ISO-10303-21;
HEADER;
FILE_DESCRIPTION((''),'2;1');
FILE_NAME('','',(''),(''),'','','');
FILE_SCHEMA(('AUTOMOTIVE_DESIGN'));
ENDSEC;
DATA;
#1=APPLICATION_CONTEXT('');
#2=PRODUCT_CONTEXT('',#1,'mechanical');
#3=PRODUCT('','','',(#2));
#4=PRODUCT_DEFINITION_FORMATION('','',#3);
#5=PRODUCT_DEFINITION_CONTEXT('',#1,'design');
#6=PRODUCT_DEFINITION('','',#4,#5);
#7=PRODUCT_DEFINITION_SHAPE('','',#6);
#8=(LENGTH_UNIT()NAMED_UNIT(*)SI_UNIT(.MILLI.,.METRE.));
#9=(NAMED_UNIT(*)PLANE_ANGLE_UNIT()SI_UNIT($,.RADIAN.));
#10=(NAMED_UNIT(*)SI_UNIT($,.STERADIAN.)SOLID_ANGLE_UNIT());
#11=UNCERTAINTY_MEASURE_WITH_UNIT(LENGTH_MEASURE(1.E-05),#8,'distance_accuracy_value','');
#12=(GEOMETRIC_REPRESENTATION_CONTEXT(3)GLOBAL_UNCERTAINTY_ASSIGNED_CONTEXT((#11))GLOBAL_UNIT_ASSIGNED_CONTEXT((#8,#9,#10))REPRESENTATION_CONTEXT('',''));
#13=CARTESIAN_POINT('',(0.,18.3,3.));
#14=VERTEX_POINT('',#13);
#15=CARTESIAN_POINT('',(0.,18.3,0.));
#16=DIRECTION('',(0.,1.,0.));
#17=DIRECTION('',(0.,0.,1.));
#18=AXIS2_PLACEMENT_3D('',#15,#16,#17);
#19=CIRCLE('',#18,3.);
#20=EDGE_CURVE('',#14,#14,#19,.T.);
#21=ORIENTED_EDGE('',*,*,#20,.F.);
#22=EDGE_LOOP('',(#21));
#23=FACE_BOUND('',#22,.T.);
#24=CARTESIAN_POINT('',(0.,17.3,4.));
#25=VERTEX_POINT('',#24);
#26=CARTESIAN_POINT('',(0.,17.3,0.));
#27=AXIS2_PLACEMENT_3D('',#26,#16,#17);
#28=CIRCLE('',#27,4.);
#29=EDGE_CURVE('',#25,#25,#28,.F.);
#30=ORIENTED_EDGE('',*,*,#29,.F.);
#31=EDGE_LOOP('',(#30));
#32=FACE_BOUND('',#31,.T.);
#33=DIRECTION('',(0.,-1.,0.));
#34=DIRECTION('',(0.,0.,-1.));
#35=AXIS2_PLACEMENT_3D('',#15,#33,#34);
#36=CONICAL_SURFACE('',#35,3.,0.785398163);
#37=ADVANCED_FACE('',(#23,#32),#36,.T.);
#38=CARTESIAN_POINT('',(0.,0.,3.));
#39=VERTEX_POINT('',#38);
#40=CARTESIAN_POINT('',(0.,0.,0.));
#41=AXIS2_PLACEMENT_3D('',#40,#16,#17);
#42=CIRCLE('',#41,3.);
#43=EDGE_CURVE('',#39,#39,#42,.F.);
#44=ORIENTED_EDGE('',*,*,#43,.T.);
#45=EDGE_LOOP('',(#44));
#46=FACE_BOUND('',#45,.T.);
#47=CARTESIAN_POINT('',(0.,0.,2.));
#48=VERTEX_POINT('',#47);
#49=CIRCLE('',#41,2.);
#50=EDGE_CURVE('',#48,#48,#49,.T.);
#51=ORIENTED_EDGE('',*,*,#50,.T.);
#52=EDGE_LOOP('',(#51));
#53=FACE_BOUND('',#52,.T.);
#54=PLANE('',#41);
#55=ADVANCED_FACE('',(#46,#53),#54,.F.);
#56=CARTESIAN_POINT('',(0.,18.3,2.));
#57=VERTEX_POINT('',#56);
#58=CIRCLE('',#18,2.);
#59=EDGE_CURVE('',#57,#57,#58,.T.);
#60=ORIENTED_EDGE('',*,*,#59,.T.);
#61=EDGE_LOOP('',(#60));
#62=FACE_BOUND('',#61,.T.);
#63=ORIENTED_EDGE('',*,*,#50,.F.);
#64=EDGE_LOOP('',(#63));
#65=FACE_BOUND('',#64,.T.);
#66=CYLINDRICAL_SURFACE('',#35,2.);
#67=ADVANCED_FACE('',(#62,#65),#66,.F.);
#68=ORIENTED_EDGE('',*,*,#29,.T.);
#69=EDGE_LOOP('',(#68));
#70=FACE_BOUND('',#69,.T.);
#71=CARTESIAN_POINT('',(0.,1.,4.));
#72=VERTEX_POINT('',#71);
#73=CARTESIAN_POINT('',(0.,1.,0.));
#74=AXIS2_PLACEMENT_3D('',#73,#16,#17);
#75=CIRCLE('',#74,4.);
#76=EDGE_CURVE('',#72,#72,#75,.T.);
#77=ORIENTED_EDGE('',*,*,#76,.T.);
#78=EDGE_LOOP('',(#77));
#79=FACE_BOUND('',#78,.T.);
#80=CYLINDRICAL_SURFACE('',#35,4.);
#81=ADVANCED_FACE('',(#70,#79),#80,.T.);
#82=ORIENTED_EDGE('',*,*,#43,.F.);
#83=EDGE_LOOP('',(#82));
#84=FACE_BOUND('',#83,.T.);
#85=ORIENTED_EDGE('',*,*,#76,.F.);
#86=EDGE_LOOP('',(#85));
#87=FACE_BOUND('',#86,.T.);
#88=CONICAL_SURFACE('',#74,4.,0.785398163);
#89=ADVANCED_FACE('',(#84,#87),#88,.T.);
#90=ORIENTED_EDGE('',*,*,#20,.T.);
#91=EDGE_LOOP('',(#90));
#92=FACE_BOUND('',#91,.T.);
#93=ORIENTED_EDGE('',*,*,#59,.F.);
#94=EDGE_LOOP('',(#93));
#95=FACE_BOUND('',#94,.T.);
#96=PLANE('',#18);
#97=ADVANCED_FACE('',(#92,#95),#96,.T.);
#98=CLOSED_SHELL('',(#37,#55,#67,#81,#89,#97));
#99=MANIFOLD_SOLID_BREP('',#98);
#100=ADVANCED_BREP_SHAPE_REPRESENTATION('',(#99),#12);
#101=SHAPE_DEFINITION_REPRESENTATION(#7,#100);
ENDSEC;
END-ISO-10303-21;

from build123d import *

# Parameters (mm, degrees)
SKETCH_1_R      = 4
SKETCH_1_R_2    = 2
EXTRUDE_1_DEPTH = 18.3
CHAMFER_1_SIZE  = 1


with BuildPart() as part:
    # Эскиз1 → Бобышка-Вытянуть1 (new body)
    with BuildSketch(Plane(origin=(0, 0, 0), x_dir=(1, 0, 0), z_dir=(0, 1, 0))):
        with Locations(Location((0, 0, 0), (0, 0, 270))):
            Circle(SKETCH_1_R)
        with Locations(Location((0, 0, 0), (0, 0, 270))):
            Circle(SKETCH_1_R_2, mode=Mode.SUBTRACT)
    extrude(amount=EXTRUDE_1_DEPTH)

    # Фаска1
    chamfer_1_edges = [part.edges().sort_by_distance(p)[0] for p in [
        (0, 0, -4),
        (0, 18.3, -4),
    ]]
    chamfer(chamfer_1_edges, length=CHAMFER_1_SIZE)


solid = part.part
